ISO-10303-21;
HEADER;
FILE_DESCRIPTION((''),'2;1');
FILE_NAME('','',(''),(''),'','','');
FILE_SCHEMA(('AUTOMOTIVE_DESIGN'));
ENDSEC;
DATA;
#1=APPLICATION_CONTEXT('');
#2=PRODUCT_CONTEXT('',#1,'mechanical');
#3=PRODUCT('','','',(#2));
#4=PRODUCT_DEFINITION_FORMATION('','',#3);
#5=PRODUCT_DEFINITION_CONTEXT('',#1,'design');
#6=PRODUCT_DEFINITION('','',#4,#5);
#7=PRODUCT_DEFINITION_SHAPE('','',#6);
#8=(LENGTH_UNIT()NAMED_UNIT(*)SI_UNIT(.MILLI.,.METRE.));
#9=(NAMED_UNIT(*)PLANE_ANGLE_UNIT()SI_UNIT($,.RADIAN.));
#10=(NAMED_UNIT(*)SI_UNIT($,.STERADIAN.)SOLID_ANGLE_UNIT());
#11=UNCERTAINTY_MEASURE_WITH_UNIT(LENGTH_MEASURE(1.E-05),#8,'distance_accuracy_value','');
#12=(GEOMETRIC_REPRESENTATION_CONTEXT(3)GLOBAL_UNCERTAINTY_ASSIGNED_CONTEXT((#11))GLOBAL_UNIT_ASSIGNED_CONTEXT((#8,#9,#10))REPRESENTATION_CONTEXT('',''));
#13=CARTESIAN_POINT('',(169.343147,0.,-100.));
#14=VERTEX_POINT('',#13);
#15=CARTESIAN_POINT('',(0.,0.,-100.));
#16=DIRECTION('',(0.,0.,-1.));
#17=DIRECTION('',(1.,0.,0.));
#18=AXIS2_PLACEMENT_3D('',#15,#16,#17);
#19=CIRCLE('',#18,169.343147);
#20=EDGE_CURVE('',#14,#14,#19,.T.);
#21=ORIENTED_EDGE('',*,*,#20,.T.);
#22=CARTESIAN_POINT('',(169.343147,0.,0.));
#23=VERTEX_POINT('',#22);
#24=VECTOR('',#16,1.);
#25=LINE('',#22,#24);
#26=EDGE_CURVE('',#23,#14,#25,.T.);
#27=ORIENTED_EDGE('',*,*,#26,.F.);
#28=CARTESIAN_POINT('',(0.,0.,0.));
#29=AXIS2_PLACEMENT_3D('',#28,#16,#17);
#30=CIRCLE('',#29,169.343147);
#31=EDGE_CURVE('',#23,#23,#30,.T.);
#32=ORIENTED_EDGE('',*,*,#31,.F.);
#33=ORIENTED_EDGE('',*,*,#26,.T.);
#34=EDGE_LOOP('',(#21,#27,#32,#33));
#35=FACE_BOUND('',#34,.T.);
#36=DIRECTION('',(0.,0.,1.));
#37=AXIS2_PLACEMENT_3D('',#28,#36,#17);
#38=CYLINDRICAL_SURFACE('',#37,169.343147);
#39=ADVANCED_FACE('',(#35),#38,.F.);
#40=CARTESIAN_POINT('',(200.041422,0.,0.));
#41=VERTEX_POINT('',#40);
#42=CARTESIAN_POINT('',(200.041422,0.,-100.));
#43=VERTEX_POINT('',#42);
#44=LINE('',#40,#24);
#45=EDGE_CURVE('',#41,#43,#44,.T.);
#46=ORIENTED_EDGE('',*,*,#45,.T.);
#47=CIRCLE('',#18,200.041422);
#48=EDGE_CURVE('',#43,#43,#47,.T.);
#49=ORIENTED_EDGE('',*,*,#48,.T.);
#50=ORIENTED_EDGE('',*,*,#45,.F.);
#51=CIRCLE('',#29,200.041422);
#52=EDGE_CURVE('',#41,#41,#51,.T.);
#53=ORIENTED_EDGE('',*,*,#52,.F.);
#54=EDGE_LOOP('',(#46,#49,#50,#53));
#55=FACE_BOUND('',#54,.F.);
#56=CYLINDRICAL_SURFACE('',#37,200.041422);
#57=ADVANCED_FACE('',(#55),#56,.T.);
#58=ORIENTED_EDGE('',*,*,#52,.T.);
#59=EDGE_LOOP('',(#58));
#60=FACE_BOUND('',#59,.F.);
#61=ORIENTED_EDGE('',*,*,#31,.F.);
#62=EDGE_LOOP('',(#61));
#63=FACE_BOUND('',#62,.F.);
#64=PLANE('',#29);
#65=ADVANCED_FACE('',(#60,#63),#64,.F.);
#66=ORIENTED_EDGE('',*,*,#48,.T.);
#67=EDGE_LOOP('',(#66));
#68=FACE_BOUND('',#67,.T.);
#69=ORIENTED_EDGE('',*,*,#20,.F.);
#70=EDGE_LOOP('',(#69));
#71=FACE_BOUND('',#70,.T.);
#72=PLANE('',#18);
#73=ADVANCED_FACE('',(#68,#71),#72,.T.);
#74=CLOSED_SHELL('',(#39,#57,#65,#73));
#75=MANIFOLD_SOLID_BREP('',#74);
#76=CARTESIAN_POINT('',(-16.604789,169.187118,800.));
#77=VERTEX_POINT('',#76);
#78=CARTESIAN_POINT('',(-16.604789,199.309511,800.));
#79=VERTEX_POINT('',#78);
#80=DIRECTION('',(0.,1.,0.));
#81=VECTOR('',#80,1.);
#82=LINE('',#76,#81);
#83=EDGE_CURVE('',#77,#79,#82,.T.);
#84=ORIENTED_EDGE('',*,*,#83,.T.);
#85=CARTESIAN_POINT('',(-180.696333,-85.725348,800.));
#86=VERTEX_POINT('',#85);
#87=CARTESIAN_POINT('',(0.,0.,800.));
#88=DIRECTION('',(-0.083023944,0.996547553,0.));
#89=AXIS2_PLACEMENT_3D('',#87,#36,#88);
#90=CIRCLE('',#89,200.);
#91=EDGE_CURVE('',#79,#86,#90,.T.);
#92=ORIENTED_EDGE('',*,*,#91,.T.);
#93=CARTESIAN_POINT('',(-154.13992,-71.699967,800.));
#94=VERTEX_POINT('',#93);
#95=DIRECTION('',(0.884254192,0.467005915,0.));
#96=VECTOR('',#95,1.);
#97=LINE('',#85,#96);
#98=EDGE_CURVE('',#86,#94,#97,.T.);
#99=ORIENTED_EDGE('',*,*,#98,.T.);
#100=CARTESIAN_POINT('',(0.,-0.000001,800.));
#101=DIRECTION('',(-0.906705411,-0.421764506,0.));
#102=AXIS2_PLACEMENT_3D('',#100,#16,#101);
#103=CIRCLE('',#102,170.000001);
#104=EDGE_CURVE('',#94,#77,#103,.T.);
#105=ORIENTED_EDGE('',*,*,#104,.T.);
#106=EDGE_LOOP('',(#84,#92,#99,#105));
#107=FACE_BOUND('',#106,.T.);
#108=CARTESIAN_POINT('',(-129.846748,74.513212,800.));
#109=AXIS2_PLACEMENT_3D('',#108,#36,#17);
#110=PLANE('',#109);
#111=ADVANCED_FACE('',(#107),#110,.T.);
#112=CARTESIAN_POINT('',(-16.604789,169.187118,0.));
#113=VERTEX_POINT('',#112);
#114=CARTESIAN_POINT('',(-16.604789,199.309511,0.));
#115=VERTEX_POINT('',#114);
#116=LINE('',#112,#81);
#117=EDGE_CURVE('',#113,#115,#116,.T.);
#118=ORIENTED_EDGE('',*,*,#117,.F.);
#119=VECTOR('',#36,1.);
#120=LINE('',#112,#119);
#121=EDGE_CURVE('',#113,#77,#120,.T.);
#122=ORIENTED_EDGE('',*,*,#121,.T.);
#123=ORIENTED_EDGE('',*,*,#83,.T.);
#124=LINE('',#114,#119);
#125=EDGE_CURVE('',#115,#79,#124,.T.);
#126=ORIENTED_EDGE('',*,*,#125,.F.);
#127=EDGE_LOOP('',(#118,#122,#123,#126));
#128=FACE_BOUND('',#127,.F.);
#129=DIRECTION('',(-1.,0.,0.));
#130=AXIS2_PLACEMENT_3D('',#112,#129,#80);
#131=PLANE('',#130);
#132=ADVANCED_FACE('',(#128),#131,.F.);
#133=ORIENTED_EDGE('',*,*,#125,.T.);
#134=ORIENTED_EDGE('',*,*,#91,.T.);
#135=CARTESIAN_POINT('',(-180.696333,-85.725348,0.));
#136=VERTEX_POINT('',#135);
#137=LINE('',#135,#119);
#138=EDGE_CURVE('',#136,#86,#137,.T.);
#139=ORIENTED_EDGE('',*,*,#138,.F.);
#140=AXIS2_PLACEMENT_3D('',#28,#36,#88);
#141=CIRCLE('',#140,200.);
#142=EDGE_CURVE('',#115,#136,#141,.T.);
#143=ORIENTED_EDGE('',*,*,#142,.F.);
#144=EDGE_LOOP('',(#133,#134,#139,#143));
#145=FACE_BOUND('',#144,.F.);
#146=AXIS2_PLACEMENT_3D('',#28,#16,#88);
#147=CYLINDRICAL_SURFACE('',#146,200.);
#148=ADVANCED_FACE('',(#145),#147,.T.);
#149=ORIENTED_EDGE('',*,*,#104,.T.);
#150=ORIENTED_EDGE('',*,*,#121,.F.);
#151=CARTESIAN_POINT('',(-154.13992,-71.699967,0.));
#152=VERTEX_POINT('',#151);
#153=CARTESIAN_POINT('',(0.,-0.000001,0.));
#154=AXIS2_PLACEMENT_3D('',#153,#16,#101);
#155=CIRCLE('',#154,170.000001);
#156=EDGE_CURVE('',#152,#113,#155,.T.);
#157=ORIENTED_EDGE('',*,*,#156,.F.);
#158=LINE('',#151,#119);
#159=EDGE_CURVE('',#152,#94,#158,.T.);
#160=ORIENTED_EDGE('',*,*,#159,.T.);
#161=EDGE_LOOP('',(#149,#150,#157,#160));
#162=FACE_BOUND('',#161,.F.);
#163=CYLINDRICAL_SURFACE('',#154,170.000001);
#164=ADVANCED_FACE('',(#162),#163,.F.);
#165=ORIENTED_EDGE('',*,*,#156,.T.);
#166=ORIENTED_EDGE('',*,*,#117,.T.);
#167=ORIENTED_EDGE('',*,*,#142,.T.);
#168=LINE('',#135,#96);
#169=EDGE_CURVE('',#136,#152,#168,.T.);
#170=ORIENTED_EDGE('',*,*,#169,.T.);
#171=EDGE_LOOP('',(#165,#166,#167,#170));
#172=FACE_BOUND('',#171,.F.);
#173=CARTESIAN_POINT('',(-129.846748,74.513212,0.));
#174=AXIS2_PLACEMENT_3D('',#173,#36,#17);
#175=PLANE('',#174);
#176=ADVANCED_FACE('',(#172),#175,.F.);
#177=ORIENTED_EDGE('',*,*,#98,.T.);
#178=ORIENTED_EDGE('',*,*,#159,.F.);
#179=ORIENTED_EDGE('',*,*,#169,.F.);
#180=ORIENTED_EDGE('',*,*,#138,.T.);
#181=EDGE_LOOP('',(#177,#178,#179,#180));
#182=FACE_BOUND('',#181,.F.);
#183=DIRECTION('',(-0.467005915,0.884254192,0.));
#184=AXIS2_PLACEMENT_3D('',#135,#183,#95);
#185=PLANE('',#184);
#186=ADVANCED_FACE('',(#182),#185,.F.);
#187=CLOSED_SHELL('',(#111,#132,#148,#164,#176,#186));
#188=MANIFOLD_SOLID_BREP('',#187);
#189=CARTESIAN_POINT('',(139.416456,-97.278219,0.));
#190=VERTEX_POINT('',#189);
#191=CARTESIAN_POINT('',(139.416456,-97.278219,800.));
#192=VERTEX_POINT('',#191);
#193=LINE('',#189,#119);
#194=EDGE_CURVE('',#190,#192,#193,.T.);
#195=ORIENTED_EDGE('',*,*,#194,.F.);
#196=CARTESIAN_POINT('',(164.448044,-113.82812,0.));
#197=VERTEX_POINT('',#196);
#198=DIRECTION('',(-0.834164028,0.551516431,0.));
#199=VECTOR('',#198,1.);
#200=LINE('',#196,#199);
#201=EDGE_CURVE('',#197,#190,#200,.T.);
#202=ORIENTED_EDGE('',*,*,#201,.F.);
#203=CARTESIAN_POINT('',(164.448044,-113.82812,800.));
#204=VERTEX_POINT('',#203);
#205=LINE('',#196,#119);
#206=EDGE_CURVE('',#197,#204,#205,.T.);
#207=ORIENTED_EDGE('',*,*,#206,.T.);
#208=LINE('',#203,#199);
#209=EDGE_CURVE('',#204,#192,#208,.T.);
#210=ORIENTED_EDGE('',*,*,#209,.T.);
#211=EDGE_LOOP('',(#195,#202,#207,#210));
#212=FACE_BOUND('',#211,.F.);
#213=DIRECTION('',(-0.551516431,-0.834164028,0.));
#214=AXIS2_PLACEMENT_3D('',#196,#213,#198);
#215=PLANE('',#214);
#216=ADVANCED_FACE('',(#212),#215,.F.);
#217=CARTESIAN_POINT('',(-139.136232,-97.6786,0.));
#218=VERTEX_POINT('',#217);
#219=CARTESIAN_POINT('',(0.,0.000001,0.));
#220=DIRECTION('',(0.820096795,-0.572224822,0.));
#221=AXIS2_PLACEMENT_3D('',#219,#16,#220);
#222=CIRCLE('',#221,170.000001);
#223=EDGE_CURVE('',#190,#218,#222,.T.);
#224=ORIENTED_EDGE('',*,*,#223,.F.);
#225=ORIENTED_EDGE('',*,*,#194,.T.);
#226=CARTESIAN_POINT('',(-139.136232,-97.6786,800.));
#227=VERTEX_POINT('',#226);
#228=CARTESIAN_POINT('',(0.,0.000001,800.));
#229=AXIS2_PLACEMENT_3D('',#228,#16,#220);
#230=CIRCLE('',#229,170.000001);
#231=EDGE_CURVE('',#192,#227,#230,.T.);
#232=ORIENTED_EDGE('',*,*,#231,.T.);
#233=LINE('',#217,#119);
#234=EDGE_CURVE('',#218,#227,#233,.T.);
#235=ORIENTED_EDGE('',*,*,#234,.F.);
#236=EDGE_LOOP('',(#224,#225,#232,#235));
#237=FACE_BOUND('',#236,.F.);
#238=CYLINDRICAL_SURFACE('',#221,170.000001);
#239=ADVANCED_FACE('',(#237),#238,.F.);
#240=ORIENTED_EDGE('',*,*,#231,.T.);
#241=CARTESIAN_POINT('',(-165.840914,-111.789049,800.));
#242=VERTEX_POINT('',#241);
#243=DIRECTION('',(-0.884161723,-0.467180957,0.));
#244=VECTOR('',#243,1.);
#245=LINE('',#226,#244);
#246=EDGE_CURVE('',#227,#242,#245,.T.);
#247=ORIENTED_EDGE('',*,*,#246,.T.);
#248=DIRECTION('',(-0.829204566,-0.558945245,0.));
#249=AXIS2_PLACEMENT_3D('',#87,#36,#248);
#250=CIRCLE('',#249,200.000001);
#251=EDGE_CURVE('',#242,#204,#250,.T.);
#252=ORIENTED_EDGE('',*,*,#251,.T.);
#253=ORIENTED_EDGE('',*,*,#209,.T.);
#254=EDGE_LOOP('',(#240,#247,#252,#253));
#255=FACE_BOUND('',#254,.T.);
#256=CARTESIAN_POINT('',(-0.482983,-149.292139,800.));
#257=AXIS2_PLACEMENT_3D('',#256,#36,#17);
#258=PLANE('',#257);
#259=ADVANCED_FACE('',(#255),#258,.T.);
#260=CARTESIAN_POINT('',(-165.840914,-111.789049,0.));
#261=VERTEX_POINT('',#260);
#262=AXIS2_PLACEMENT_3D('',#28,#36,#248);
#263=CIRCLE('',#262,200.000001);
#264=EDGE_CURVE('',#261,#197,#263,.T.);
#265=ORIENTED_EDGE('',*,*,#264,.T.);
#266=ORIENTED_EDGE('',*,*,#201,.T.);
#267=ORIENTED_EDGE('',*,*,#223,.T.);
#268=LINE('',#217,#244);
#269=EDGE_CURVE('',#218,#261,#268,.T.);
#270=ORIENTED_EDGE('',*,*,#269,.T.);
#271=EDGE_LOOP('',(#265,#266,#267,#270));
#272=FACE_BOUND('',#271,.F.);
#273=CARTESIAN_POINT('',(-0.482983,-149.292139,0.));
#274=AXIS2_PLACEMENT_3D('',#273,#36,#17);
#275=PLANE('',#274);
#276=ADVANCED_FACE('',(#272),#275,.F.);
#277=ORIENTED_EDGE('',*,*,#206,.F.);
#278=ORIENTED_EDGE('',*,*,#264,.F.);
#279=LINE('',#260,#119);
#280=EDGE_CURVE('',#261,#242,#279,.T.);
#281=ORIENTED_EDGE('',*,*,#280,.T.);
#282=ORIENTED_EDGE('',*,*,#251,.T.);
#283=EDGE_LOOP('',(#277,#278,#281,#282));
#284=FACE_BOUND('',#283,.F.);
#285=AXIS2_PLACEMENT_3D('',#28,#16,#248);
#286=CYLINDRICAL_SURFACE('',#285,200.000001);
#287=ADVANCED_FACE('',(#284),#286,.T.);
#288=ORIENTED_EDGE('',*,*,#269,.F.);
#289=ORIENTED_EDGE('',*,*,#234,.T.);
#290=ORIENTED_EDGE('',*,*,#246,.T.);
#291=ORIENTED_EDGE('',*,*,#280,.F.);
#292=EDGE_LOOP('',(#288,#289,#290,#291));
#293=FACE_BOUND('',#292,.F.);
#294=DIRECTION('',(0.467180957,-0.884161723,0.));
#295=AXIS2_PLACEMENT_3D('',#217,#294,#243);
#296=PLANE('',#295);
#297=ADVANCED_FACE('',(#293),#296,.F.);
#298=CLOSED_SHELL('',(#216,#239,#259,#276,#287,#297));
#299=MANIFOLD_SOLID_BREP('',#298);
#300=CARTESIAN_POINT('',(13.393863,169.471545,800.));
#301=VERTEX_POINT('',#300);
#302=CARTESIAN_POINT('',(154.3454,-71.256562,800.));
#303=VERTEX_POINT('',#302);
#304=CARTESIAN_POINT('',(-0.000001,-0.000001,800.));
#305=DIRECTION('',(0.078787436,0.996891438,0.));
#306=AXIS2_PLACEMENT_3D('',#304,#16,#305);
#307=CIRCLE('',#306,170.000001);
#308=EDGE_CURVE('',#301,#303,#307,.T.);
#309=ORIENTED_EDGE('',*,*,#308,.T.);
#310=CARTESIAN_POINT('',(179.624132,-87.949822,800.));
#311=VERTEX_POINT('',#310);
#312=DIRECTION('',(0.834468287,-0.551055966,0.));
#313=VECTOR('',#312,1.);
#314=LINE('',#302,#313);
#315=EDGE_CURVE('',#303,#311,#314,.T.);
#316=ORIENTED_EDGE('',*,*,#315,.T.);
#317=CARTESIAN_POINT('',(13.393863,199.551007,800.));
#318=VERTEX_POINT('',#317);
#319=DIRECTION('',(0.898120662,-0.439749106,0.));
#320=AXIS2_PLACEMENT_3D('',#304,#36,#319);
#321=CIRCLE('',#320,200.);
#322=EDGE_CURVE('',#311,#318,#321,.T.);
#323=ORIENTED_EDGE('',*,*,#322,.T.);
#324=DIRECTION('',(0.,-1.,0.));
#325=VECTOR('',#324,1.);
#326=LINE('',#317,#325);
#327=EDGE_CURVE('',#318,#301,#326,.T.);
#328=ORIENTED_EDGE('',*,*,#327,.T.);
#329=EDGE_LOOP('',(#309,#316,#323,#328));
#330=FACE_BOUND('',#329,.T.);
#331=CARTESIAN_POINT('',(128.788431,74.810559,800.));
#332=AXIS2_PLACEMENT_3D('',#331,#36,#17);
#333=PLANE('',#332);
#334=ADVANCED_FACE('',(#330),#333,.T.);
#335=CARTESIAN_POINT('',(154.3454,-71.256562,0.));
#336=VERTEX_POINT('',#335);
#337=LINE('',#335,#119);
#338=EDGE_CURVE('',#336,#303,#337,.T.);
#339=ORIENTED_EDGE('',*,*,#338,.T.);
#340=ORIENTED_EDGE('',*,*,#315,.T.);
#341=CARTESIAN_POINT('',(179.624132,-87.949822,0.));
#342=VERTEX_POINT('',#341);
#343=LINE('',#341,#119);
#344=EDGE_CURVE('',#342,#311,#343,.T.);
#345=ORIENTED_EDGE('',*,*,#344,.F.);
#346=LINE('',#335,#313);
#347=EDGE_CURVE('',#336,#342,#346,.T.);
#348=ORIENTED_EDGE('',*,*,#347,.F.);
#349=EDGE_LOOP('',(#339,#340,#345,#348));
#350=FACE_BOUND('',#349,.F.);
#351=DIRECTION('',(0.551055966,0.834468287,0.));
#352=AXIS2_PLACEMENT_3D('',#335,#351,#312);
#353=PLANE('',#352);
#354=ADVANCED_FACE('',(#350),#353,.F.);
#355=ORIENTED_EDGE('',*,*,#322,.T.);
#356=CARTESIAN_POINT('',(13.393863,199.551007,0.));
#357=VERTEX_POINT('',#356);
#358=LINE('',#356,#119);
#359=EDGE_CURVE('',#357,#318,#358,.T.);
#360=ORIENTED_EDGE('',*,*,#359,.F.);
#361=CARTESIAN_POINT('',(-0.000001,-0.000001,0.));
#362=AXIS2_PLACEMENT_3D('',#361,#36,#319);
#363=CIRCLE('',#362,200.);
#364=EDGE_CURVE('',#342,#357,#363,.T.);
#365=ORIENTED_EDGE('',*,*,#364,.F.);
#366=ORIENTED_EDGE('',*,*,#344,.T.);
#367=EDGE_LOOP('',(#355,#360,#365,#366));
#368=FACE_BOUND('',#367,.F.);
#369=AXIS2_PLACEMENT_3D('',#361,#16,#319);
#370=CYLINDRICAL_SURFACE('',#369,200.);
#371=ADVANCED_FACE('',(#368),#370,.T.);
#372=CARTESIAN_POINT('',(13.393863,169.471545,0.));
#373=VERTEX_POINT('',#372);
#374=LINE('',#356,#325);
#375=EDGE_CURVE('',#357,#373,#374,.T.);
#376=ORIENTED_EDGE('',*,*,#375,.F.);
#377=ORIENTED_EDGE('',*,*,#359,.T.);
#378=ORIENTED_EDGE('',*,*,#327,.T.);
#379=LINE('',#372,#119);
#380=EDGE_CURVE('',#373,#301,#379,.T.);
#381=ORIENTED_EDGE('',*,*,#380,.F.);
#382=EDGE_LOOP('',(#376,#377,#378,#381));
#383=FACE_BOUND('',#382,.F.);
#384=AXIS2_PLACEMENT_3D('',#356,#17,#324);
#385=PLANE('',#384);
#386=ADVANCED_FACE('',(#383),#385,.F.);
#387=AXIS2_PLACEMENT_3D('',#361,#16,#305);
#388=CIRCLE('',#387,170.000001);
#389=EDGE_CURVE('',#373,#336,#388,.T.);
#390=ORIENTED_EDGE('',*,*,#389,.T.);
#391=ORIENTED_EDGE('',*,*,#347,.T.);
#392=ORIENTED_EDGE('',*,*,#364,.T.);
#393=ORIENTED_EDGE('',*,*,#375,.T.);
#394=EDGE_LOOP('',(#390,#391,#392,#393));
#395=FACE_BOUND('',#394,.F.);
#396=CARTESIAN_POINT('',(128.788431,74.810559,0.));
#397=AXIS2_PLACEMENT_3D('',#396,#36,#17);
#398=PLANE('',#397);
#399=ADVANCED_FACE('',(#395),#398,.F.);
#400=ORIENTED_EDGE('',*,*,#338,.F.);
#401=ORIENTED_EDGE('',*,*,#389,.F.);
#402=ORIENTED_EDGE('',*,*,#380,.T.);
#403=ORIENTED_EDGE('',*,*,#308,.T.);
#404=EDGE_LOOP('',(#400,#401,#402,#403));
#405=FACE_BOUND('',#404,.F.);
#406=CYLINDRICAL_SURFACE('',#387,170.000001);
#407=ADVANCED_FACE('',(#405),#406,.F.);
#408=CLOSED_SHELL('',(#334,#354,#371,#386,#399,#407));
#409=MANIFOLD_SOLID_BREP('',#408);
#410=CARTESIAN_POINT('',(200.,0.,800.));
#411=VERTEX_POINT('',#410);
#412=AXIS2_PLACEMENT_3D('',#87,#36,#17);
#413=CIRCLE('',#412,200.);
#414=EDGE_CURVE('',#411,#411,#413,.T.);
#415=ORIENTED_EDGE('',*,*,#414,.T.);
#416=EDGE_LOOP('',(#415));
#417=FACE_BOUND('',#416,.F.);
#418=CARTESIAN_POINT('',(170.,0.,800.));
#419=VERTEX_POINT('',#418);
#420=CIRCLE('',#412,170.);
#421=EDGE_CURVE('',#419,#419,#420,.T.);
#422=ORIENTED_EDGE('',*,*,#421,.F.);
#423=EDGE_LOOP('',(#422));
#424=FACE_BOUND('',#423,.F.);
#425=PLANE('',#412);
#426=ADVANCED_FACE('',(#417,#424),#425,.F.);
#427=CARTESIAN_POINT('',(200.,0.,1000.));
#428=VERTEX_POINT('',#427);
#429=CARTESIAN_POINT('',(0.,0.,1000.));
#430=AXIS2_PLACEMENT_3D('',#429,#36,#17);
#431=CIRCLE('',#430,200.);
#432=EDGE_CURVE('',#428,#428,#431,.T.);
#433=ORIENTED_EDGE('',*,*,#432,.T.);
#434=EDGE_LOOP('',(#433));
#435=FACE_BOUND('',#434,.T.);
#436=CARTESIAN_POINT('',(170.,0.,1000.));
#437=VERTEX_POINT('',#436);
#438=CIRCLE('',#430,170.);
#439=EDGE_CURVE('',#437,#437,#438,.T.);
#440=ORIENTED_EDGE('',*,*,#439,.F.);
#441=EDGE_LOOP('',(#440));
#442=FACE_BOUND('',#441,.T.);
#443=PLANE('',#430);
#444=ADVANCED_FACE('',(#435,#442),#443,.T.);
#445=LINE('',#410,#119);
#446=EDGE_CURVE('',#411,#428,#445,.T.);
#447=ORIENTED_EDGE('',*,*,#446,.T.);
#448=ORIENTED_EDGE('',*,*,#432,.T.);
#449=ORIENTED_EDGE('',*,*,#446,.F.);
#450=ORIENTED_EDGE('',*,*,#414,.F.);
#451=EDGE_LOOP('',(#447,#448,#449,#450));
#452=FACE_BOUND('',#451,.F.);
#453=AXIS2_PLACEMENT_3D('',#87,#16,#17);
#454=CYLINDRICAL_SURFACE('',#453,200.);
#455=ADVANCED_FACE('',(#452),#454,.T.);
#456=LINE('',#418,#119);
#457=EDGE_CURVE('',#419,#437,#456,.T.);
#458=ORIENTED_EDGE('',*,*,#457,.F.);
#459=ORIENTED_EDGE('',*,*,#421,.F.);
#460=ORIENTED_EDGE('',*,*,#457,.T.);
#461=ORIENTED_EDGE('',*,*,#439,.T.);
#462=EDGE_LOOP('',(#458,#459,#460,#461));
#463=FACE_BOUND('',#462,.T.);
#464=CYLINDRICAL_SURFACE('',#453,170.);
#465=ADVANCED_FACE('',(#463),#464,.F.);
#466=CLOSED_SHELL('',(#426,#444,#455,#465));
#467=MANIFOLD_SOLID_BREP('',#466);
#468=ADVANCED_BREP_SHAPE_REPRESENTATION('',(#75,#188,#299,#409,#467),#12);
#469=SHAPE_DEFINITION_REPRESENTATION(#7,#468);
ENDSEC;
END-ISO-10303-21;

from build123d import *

# Parameters (mm, degrees)
F1_DEPTH = 800
F2_R     = 200
F2_R_2   = 170
F3_DEPTH = 200
F4_R     = 200.041422
F4_R_2   = 169.343147
F5_DEPTH = 100


with BuildPart() as f1:
    # F0 (on Top) → F1 (new body)
    with BuildSketch(Plane.XY):
        with BuildLine():
            Line((-16.604789, 169.187118), (-16.604789, 199.309511))
            ThreePointArc((-16.604789, 199.309511), (-173.329602, 99.784013), (-180.696333, -85.725348))
            Line((-180.696333, -85.725348), (-154.13992, -71.699967))
            ThreePointArc((-154.13992, -71.699967), (-147.631588, 84.290653), (-16.604789, 169.187118))
        make_face()
        with BuildLine():
            ThreePointArc((13.393863, 169.471545), (146.702489, 85.897495), (154.3454, -71.256562))
            Line((154.3454, -71.256562), (179.624132, -87.949822))
            ThreePointArc((179.624132, -87.949822), (173.142046, 100.109099), (13.393863, 199.551007))
            Line((13.393863, 199.551007), (13.393863, 169.471545))
        make_face()
        with BuildLine():
            ThreePointArc((139.416456, -97.278219), (0.244351, -169.999824), (-139.136232, -97.6786))
            Line((-139.136232, -97.6786), (-165.840914, -111.789049))
            ThreePointArc((-165.840914, -111.789049), (-1.234696, -199.996189), (164.448044, -113.82812))
            Line((164.448044, -113.82812), (139.416456, -97.278219))
        make_face()
    extrude(amount=F1_DEPTH)


with BuildPart() as f3:
    # F2 (on face) → F3 (new body)
    with BuildSketch(Plane.XY.offset(800)):
        Circle(F2_R)
        Circle(F2_R_2, mode=Mode.SUBTRACT)
    extrude(amount=F3_DEPTH)


with BuildPart() as f5:
    # F4 (on face) → F5 (new body)
    with BuildSketch(Plane(origin=(0, 0, 0), x_dir=(1, 0, 0), z_dir=(0, 0, -1))):
        Circle(F4_R)
        Circle(F4_R_2, mode=Mode.SUBTRACT)
    extrude(amount=F5_DEPTH)


solid = Compound([f1.part, f3.part, f5.part])
